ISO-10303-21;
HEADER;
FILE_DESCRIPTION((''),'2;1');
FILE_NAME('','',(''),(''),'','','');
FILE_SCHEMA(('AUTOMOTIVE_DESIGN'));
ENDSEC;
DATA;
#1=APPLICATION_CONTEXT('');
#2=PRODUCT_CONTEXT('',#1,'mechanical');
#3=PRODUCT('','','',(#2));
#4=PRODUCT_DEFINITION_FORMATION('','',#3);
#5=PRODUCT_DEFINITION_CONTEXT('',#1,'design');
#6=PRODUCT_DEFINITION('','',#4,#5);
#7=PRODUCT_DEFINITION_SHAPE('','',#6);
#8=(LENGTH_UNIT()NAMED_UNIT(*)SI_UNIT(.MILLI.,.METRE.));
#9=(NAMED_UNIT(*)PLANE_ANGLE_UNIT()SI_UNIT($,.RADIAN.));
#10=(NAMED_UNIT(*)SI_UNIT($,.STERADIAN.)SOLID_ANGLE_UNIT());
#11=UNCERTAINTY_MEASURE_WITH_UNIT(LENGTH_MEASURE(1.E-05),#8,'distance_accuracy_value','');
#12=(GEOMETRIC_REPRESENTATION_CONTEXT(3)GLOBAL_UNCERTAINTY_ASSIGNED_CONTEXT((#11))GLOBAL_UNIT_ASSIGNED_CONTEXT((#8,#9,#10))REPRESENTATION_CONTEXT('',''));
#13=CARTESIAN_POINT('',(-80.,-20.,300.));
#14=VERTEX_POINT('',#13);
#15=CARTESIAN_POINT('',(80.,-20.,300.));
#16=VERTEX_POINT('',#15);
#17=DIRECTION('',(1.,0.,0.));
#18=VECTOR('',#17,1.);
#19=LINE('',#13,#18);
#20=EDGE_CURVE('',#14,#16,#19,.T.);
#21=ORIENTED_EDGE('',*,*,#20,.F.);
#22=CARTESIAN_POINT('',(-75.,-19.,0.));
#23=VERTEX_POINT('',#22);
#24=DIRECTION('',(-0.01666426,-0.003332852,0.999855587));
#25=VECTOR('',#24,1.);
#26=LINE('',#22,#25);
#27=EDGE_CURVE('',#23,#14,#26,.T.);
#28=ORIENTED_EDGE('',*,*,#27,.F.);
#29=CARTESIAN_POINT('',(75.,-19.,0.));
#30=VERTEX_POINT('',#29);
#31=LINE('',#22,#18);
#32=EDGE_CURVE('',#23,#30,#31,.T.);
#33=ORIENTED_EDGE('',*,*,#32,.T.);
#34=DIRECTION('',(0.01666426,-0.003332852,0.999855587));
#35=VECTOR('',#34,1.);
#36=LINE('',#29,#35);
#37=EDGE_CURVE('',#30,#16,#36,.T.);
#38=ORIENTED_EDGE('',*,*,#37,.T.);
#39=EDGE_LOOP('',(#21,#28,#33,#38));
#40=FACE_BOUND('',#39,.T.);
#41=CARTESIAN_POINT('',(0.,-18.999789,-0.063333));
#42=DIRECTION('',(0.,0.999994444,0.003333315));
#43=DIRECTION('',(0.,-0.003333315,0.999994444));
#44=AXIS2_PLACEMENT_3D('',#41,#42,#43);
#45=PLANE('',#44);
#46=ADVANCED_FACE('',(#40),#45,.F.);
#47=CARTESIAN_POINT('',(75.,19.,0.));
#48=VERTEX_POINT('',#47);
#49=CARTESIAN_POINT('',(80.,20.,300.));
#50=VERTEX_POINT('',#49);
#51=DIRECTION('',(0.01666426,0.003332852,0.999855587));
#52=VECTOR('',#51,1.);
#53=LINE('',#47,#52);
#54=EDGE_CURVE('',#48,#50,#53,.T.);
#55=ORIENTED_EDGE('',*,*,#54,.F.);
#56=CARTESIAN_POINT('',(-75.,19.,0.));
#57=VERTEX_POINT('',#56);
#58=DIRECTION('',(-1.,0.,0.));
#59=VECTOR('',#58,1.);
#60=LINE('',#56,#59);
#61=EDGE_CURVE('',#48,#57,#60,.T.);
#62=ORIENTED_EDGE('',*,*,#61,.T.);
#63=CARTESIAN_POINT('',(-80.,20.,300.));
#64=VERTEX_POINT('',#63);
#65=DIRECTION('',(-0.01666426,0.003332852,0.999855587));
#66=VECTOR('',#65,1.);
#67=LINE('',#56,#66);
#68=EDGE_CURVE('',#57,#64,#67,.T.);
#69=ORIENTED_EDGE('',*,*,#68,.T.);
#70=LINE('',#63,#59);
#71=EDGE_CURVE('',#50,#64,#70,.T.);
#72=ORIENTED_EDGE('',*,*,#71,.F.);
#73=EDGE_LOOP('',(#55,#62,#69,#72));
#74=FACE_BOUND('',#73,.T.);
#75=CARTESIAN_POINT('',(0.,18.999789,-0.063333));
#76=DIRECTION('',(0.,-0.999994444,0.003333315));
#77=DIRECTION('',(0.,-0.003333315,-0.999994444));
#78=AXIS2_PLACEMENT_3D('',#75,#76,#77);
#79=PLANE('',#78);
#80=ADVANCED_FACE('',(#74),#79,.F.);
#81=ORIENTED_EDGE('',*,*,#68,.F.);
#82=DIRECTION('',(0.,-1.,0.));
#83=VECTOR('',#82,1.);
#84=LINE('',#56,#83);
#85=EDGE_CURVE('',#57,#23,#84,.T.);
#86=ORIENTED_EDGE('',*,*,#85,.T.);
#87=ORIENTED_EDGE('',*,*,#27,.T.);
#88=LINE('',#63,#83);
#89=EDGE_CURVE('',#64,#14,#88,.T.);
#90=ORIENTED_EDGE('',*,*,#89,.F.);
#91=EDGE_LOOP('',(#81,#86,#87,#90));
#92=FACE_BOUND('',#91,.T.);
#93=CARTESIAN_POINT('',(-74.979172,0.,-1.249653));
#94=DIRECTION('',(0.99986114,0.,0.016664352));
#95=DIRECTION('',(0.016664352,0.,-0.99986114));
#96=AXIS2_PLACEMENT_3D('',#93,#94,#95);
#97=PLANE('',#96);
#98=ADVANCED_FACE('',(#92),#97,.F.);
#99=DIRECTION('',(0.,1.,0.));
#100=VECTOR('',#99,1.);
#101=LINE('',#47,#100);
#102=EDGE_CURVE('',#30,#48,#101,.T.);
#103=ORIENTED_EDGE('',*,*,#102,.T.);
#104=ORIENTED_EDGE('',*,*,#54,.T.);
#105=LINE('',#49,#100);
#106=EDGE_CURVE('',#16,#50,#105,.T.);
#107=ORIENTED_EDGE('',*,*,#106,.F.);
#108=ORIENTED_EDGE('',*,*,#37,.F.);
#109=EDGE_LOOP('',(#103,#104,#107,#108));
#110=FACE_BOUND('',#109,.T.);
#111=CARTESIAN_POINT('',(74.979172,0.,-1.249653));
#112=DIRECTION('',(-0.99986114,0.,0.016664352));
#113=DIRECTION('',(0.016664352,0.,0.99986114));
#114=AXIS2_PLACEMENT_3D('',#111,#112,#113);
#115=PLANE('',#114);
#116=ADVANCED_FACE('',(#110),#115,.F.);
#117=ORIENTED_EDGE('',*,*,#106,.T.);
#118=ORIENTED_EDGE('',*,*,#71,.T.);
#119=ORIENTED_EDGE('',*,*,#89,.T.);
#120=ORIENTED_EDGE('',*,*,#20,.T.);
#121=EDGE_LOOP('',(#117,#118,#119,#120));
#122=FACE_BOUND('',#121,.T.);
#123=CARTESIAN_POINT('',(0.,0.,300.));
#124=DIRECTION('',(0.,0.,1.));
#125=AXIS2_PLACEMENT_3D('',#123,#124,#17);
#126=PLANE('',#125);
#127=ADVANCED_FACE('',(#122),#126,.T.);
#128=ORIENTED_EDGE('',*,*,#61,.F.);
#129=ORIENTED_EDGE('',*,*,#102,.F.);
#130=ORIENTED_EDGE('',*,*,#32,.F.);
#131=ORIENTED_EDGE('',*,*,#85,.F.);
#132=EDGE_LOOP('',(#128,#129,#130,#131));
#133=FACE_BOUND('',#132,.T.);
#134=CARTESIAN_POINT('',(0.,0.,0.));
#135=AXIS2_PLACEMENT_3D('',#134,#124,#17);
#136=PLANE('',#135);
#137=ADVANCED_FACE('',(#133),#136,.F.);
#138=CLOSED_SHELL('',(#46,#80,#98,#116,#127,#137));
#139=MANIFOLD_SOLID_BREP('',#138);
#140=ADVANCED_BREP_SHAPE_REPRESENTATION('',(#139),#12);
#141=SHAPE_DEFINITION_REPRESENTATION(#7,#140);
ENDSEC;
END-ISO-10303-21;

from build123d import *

# Parameters (mm, degrees)
SKETCH3_W = 150
SKETCH3_H = 38
SKETCH4_W = 160
SKETCH4_H = 40


with BuildPart() as part:
    # Sketch3 → Loft1 section 0
    with BuildSketch(Plane.XY):
        Rectangle(SKETCH3_W, SKETCH3_H)
    # Sketch4 → Loft1 section 1
    with BuildSketch(Plane.XY.offset(300)):
        Rectangle(SKETCH4_W, SKETCH4_H)
    loft()


solid = part.part
